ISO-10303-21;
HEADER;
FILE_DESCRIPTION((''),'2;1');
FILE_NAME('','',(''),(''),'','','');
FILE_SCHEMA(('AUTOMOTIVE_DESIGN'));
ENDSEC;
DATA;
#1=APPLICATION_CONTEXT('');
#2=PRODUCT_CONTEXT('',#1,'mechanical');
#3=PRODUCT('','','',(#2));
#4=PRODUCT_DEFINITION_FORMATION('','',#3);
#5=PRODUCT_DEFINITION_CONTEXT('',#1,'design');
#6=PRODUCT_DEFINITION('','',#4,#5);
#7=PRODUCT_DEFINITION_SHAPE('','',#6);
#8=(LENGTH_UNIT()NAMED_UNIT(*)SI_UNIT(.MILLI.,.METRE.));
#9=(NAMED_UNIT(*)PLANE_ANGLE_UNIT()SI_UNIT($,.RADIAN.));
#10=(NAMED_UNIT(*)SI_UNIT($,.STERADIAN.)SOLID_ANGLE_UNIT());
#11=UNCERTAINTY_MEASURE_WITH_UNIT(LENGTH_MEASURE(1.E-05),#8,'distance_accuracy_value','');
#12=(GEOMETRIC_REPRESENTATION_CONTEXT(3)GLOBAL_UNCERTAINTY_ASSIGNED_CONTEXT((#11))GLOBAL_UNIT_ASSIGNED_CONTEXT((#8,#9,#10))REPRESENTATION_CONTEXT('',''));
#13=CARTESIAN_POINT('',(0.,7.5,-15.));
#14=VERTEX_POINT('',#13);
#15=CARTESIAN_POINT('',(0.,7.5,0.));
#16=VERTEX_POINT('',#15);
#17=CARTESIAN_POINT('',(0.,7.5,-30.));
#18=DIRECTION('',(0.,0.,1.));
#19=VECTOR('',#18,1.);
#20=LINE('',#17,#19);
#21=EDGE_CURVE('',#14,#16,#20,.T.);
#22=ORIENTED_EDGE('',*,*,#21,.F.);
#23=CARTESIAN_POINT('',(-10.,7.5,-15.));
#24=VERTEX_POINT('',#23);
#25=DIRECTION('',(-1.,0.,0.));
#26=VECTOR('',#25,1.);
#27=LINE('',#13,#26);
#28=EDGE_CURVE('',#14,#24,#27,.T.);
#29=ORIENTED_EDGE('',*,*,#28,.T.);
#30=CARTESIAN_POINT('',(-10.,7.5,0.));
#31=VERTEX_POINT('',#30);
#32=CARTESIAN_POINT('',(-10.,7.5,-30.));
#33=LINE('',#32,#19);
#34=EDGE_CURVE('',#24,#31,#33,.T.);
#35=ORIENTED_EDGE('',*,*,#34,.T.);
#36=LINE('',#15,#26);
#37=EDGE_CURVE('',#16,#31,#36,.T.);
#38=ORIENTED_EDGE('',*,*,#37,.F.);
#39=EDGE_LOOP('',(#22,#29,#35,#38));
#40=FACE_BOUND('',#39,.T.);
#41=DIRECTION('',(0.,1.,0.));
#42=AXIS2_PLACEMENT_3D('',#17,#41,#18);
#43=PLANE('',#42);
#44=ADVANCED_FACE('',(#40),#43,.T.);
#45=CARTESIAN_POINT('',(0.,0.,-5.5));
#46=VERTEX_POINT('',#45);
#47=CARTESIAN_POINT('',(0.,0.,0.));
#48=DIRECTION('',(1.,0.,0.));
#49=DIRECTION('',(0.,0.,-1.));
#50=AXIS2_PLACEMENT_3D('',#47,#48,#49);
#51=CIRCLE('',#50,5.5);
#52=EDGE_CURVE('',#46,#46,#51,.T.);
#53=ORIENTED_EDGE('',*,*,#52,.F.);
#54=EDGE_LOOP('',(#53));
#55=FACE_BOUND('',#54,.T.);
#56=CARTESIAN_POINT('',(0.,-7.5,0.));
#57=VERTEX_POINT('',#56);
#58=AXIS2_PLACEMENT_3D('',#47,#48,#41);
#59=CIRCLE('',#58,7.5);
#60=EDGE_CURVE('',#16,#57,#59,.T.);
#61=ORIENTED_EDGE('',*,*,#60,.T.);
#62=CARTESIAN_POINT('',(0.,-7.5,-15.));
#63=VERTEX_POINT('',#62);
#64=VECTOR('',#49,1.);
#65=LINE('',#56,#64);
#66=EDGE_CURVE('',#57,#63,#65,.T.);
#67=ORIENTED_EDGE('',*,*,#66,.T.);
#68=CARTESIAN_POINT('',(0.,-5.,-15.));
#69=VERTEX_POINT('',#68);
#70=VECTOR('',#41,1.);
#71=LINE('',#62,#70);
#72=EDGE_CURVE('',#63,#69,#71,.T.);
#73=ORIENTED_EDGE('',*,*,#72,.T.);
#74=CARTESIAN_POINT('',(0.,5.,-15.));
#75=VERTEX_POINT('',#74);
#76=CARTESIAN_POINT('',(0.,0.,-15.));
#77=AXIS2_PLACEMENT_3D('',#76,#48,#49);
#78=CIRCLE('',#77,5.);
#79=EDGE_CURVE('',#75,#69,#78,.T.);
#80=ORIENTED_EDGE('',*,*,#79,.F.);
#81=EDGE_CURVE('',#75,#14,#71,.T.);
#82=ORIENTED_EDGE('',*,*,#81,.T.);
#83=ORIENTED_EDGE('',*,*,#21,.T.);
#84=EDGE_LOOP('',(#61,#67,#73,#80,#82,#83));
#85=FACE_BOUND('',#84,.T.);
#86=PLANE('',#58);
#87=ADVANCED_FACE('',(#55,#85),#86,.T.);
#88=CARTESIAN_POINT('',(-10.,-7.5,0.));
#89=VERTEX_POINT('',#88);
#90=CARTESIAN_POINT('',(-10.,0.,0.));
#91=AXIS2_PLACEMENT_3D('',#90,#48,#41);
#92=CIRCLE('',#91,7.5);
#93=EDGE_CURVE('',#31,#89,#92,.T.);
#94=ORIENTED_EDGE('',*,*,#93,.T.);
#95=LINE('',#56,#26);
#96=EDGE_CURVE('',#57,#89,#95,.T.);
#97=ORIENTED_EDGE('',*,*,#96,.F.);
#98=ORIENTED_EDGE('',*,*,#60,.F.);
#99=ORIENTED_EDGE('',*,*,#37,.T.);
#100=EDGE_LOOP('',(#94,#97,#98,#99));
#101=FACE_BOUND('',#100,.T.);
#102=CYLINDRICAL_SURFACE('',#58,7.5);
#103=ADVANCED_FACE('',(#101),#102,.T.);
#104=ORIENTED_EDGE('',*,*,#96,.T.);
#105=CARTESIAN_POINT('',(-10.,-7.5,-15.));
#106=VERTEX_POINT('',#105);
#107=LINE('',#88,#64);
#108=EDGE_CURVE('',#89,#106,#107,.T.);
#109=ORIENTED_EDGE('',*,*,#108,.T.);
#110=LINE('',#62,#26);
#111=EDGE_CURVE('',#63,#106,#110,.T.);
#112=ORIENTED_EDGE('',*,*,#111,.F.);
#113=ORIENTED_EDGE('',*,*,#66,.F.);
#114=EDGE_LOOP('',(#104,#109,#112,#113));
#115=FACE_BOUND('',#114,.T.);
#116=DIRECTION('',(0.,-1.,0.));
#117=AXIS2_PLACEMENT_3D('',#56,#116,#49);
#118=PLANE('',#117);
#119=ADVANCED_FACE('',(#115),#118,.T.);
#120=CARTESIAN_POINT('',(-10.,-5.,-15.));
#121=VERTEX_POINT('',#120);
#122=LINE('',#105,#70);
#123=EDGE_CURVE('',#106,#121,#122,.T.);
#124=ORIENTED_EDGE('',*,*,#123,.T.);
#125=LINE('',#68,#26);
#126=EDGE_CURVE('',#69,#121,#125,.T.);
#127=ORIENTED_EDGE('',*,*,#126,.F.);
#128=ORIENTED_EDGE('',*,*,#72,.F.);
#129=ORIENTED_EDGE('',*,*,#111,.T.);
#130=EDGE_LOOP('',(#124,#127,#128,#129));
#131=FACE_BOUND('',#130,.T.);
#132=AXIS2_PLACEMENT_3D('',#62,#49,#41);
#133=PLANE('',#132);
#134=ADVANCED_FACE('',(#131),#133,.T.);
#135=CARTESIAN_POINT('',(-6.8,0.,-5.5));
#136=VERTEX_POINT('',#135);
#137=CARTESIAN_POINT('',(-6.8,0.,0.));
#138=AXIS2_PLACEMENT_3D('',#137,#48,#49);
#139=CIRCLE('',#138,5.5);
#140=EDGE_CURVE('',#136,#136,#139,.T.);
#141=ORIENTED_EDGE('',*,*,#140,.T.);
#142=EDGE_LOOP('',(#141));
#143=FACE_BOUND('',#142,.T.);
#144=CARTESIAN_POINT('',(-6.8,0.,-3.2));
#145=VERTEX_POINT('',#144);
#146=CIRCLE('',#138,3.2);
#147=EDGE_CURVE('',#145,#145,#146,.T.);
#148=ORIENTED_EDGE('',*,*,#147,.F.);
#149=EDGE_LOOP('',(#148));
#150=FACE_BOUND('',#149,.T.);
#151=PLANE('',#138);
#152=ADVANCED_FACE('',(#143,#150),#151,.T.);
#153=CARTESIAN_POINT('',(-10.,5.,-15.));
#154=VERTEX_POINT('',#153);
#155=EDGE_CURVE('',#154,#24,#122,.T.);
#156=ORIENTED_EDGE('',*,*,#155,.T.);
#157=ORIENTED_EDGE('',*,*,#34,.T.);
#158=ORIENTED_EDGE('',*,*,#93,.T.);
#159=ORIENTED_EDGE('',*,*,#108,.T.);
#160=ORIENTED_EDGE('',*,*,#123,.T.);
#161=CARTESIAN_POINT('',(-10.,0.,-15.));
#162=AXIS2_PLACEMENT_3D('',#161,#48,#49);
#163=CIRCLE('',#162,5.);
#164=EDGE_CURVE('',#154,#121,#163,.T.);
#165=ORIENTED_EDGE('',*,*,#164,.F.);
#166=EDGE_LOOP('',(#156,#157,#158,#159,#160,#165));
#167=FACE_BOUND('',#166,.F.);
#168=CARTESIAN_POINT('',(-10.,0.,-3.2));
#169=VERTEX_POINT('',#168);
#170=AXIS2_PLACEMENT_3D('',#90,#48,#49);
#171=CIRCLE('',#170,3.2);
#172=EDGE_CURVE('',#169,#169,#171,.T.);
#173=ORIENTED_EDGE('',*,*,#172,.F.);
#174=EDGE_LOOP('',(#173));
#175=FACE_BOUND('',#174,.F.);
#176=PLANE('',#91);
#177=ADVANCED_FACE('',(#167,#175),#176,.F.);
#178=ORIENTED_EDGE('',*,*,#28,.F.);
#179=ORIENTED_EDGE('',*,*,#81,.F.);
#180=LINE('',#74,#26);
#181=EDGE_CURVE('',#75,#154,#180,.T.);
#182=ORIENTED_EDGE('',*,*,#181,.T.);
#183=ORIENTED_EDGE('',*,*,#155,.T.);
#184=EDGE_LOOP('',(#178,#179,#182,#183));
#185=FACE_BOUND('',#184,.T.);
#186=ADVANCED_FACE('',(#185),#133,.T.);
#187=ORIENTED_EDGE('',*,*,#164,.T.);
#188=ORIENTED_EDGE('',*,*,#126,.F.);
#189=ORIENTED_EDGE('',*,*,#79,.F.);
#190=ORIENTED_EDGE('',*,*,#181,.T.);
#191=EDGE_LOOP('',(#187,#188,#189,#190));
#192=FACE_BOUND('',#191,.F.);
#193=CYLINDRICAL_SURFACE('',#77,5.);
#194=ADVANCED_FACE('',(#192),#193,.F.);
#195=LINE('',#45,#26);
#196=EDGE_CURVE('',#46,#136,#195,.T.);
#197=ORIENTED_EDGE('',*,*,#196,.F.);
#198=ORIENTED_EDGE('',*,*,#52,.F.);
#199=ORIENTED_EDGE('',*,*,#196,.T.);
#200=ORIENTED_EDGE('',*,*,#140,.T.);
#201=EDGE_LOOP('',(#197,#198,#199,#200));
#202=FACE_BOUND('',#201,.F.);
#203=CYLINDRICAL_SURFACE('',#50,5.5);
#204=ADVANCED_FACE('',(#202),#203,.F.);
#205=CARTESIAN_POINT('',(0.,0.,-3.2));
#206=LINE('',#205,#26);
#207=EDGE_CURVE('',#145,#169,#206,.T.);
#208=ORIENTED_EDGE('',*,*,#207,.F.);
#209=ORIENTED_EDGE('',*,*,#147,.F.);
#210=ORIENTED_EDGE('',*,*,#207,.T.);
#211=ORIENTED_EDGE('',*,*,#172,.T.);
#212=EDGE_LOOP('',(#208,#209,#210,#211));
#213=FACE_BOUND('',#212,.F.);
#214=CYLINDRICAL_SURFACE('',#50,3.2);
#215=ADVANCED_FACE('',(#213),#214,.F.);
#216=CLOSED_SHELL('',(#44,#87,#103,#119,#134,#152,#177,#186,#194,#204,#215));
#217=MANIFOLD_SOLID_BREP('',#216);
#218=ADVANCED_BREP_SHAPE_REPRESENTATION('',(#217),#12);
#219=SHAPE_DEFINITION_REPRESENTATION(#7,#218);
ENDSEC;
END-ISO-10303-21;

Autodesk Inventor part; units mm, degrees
ref_plane "YZ Plane" through (0, 0, 0) normal (1, 0, 0) x (0, 1, 0)
ref_plane "XZ Plane" through (0, 0, 0) normal (0, 1, 0) x (-1, 0, 0)
ref_plane "XY Plane" through (0, 0, 0) normal (0, 0, 1) x (1, 0, 0)
sketch "Sketch1" plane through (0, 0, 0) normal (1, 0, 0) x (0, 1, 0)
  line L0 (0, 0) -> (0, -30) construction
  line L1 (-7.5, 0) -> (-7.5, -30)
  line L2 (7.5, -30) -> (7.5, 0)
  arc A0 (7.5, 0) -> (-7.5, 0) centre (0, 0) ccw
  arc A1 (-7.5, -30) -> (7.5, -30) centre (0, -30) ccw
  point P0 (0, -15)
  dimension "d0" = 7.5
  dimension "d1" = 30
extrude "Extrusion1" add sketch "Sketch1" against normal blind 10
sketch "Sketch2" plane through (0, 0, 0) normal (1, 0, 0) x (0, 0, -1)
  line L0 (37.5, -7.5) -> (15, -7.5)
  line L1 (15, -7.5) -> (15, 7.5)
  line L2 (15, 7.5) -> (37.5, 7.5)
  line L3 (37.5, 7.5) -> (37.5, -7.5)
  arc A0 (30, -7.5) -> (30, 7.5) centre (30, 0) ccw projected
  line L4 (0, -7.5) -> (30, -7.5) projected
  line L5 (30, 7.5) -> (0, 7.5) projected
  point P0 (0, 0)
  point P1 (37.5, 0)
  point P2 (26.25, -7.5)
  point P3 (26.25, 7.5)
  point P4 (30, 7.5)
  point P5 (30, -7.5)
  dimension "d4" = 22.5
extrude "Extrusion2" cut sketch "Sketch2" against normal blind 10 contours L0 L1 L2 A0
sketch "Sketch3" plane through (0, 0, 0) normal (1, 0, 0) x (0, 0, -1)
  circle A0 centre (0, 0) radius 3.2
  line L0 (15, -7.5) -> (15, 7.5) projected
  point P0 (0, 0)
  dimension "d7" = 6.4
  dimension "d17" = 15
  dimension "d18" = 16.7705
extrude "Extrusion3" cut sketch "Sketch3" against normal blind 10
sketch "Sketch4" plane through (0, 0, 0) normal (1, 0, 0) x (0, 0, -1)
  circle A0 centre (0, 0) radius 5.5
  dimension "d11" = 11
extrude "Extrusion4" cut sketch "Sketch4" against normal blind 6.8
sketch "Sketch5" plane through (0, 0, 0) normal (1, 0, 0) x (0, 0, -1)
  line L0 (15, -7.5) -> (15, 7.5) projected
  circle A0 centre (15, 0) radius 5
  point P0 (0, 0)
  point P1 (15, 5)
  point P2 (15, -5)
  dimension "d14" = 10
extrude "Extrusion5" cut sketch "Sketch5" against normal through all contours A0 L0 picked at (13.3455, -0.2009)
